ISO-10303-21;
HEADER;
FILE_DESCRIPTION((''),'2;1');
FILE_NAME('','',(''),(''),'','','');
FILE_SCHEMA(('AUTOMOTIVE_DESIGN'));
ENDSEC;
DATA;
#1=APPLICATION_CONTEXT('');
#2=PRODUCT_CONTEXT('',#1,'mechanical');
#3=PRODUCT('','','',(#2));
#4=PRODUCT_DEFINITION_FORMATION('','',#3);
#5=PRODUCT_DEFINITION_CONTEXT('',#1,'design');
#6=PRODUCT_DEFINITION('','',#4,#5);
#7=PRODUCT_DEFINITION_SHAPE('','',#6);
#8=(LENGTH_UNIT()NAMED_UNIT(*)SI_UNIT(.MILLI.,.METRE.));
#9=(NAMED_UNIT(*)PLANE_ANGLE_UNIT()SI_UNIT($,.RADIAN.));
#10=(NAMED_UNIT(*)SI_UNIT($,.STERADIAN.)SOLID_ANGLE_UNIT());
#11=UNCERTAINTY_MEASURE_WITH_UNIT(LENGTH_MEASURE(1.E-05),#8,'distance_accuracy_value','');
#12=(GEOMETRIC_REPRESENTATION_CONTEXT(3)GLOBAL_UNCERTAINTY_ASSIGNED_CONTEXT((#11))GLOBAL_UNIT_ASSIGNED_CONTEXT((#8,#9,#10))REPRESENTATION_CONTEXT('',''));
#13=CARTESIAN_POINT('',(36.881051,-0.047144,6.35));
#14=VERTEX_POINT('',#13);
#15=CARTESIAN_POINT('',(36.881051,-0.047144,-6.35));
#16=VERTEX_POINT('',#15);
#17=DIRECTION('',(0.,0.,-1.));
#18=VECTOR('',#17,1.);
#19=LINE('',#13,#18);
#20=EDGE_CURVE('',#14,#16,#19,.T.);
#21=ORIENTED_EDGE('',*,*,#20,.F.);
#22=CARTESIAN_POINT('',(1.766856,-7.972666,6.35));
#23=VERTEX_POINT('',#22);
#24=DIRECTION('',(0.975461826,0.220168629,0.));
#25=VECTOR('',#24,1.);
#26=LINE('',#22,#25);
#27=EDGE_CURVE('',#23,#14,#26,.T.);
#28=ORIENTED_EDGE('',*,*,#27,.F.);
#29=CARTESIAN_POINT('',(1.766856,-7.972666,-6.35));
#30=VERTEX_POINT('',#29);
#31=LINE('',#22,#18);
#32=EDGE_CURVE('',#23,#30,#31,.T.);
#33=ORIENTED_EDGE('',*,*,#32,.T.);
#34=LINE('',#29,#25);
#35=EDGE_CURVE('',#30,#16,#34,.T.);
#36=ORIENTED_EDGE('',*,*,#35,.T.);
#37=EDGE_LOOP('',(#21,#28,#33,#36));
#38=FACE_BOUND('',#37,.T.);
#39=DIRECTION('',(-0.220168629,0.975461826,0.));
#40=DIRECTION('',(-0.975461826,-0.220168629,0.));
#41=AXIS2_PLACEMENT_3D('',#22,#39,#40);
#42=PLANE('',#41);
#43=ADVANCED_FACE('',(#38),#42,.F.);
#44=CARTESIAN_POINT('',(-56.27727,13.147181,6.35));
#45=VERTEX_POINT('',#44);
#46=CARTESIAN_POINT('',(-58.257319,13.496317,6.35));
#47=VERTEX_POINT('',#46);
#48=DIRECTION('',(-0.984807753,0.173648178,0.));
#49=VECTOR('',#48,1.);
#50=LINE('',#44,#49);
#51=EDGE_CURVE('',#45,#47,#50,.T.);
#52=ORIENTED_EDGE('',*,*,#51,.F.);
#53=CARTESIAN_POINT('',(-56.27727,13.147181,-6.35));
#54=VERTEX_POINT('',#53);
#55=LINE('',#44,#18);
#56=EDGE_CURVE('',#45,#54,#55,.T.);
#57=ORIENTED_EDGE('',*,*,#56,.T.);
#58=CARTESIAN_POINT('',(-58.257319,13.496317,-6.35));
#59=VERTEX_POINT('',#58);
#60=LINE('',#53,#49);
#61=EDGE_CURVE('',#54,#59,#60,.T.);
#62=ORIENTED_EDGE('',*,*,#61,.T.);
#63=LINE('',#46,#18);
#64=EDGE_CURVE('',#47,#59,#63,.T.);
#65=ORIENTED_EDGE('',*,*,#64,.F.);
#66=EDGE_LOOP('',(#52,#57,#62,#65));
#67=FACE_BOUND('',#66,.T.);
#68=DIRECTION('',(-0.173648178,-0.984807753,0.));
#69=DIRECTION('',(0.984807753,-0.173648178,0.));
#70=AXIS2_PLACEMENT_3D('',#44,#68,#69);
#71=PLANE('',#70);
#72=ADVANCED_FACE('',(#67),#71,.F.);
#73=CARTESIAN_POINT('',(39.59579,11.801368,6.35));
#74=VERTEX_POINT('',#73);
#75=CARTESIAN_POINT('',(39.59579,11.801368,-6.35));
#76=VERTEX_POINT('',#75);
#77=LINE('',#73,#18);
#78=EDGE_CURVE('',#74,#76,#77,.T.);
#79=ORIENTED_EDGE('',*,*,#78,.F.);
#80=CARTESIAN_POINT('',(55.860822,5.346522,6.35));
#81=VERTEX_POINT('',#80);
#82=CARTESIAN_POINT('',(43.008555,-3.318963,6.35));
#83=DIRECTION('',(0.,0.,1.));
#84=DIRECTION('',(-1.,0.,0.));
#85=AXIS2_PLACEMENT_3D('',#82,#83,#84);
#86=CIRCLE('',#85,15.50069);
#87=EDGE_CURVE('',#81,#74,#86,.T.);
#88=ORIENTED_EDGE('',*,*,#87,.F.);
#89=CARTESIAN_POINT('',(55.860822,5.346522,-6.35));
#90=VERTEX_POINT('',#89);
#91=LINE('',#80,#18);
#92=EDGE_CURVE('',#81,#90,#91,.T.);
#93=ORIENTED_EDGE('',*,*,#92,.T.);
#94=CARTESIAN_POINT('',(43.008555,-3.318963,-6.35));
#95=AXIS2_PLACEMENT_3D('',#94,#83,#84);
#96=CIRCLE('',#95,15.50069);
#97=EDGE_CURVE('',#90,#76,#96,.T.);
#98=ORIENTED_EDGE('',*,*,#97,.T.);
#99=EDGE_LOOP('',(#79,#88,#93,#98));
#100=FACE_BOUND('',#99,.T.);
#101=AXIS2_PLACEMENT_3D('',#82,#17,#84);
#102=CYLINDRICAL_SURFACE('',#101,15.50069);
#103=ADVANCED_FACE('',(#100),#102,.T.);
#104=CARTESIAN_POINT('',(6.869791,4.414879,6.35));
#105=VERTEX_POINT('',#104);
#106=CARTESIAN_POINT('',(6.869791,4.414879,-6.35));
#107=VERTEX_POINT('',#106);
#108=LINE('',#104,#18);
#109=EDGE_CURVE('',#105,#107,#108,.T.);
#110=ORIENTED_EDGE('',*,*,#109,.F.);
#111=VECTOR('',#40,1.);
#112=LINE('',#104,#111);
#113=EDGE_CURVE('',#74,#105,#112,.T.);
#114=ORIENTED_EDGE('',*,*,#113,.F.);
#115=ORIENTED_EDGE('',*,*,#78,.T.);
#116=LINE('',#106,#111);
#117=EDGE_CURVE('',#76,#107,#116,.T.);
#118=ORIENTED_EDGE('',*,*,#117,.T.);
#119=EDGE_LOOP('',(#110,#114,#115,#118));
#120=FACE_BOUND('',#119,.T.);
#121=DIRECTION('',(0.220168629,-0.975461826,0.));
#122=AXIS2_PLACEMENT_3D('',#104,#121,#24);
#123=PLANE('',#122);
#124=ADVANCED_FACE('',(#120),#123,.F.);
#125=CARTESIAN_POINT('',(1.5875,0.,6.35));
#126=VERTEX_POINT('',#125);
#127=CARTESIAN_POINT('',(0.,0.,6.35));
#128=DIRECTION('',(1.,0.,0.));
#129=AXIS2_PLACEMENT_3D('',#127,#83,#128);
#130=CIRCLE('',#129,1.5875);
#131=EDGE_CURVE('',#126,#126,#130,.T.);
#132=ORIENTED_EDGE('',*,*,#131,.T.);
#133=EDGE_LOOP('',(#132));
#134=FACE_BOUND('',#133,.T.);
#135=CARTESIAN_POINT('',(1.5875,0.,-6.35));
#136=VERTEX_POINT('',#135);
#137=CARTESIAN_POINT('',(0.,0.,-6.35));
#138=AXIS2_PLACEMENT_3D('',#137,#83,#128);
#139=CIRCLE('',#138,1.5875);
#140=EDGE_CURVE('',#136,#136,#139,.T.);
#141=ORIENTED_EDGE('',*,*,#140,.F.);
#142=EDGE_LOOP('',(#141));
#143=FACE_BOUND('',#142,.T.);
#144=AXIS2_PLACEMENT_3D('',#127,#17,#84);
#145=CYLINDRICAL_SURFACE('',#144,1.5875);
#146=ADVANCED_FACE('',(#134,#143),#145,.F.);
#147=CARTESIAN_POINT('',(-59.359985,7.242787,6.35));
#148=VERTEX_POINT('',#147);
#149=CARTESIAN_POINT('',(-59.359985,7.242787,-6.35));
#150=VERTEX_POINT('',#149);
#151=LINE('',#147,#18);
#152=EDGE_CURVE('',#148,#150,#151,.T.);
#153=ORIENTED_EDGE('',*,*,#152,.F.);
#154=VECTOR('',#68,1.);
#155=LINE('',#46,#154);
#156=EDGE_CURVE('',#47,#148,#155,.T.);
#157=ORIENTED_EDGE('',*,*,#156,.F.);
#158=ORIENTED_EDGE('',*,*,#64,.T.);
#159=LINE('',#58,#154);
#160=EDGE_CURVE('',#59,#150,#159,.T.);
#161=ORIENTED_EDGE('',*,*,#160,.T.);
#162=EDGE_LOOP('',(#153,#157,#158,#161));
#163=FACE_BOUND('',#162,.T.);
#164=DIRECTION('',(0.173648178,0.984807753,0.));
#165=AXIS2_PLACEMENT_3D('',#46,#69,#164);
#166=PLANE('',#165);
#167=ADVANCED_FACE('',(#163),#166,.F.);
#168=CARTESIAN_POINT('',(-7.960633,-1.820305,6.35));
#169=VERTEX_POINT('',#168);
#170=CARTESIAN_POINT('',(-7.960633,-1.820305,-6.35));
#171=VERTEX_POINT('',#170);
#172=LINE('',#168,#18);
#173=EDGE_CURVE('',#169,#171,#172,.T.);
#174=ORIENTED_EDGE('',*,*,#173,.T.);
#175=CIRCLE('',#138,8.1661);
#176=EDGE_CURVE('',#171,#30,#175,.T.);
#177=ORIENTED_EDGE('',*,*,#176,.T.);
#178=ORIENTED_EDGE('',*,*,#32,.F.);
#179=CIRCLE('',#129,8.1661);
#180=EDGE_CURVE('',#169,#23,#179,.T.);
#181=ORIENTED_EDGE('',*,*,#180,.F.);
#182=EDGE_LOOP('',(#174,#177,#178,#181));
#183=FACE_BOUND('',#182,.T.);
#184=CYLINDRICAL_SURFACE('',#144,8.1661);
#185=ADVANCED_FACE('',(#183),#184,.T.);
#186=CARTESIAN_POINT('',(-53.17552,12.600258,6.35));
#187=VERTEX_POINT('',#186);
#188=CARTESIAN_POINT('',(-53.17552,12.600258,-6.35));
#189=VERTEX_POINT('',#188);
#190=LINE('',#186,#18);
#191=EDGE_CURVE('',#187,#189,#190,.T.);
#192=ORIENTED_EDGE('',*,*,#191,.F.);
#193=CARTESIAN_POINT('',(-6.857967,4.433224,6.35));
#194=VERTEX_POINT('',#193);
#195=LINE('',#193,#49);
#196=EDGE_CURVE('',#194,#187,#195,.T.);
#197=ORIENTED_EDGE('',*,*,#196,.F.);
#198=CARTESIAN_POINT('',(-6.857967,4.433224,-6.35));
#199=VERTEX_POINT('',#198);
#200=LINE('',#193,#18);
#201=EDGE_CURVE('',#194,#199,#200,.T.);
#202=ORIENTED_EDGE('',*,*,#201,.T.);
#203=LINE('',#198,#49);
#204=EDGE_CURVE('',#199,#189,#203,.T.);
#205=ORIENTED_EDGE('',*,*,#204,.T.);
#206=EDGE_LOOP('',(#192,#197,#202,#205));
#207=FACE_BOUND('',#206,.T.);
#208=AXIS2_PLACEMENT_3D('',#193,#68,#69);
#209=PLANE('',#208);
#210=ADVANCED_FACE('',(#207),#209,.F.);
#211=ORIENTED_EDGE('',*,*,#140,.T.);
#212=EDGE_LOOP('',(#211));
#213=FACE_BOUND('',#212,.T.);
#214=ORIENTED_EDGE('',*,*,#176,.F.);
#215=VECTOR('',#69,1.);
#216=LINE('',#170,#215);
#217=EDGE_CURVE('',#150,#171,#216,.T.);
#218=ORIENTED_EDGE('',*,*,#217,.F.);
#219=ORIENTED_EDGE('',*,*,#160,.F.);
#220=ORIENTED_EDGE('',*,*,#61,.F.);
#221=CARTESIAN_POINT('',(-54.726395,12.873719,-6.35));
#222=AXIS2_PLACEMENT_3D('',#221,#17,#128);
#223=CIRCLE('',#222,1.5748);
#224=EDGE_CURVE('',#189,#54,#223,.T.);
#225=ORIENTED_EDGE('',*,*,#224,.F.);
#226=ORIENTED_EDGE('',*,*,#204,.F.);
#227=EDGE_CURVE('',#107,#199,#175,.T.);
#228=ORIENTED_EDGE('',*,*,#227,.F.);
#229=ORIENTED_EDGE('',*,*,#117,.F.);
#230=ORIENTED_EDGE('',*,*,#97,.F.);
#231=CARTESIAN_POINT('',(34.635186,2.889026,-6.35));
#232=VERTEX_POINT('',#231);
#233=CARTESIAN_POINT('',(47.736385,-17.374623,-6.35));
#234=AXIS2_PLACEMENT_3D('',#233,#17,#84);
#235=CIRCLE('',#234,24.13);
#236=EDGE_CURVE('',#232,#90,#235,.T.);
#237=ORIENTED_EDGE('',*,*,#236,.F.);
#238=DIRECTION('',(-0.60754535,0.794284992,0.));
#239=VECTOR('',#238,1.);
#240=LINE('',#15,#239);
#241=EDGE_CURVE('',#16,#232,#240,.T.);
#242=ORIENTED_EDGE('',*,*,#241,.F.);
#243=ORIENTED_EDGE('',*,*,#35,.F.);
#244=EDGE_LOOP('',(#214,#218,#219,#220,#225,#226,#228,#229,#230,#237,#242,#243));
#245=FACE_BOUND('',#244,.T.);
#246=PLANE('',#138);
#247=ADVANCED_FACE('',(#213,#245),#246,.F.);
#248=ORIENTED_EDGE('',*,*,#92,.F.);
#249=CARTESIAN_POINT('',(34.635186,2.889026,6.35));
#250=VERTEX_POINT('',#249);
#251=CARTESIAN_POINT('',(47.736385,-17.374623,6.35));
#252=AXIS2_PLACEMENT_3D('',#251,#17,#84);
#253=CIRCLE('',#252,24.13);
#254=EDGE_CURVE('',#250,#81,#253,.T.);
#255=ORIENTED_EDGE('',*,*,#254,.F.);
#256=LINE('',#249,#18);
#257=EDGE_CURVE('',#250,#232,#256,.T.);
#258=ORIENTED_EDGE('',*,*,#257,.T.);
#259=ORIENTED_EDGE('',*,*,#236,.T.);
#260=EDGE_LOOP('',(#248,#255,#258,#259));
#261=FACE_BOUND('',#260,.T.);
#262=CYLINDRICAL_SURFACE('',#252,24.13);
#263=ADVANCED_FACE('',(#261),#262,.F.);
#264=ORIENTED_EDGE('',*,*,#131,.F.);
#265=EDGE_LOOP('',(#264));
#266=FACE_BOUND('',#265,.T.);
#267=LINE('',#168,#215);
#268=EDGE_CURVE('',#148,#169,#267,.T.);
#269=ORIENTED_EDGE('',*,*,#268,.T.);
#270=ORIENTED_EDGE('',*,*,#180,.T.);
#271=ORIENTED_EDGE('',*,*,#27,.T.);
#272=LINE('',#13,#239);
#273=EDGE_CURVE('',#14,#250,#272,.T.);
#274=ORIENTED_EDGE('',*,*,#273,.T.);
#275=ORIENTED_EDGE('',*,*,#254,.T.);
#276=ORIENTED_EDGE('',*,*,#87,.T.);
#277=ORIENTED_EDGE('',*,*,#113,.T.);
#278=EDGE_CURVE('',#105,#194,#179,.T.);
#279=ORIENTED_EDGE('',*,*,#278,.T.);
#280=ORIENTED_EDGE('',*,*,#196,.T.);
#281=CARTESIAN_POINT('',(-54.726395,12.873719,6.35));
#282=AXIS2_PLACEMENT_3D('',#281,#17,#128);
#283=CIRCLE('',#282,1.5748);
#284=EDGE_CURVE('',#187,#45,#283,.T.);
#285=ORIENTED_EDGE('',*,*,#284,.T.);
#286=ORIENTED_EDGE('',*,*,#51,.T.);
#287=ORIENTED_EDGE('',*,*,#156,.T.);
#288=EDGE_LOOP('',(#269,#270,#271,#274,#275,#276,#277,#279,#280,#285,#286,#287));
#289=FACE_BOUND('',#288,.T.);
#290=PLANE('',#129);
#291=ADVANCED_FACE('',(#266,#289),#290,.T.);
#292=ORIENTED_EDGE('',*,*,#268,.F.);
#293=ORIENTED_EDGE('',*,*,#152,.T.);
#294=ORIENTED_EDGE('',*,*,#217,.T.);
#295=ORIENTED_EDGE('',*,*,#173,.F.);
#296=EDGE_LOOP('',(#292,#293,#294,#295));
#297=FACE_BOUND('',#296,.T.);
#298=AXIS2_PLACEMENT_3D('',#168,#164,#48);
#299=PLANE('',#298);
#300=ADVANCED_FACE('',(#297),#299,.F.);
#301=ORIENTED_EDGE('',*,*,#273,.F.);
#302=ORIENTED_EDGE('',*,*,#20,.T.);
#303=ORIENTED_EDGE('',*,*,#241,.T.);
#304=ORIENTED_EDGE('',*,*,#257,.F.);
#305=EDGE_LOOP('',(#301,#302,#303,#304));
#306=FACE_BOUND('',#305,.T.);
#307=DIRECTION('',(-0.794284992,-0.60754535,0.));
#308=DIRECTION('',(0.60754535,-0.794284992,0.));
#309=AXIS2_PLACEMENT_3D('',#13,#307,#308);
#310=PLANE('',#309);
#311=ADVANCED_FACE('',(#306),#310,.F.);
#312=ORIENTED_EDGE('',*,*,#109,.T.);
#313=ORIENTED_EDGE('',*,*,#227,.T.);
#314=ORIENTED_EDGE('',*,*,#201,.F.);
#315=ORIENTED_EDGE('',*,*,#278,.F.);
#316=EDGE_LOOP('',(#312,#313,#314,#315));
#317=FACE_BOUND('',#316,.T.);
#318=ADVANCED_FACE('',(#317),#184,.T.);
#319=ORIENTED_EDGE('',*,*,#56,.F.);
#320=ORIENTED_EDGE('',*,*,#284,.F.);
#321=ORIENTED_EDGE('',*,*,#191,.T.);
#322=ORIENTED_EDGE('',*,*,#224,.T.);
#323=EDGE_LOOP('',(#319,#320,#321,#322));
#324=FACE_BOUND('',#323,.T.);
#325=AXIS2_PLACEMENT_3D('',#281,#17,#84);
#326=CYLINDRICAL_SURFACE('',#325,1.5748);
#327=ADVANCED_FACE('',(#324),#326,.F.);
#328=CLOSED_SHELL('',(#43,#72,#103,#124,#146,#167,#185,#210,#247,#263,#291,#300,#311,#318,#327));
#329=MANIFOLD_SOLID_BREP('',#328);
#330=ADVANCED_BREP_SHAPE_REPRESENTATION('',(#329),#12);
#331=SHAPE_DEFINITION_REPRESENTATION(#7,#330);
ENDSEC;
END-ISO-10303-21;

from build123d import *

# Parameters (mm, degrees)
SKETCH1_R           = 1.5875
BOSS_EXTRUDE1_DEPTH = 6.35


with BuildPart() as part:
    # Sketch1 → Boss-Extrude1 (new, symmetric)
    with BuildSketch(Plane.XY):
        with BuildLine():
            Line((-6.857967121, 4.433224129), (-53.175519737, 12.600258336))
            ThreePointArc((-53.175519737, 12.600258336), (-54.999856137, 11.322844236), (-56.277270236, 13.147180636))
            Line((-56.277270236, 13.147180636), (-58.257319182, 13.496316688))
            Line((-58.257319182, 13.496316688), (-59.35998511, 7.242787457))
            Line((-59.35998511, 7.242787457), (-7.960633049, -1.820305103))
            ThreePointArc((-7.960633049, -1.820305103), (-4.365043482, -6.901563925), (1.766856325, -7.9726663))
            Line((1.766856325, -7.9726663), (36.881050722, -0.047144418))
            Line((36.881050722, -0.047144418), (34.635185978, 2.889025961))
            ThreePointArc((34.635185978, 2.889025961), (44.961162175, 6.595254431), (55.860821822, 5.346521684))
            ThreePointArc((55.860821822, 5.346521684), (48.726273767, 11.088641723), (39.595789676, 11.801367988))
            Line((39.595789676, 11.801367988), (6.869791404, 4.414878852))
            ThreePointArc((6.869791404, 4.414878852), (0.010912869, 8.166092708), (-6.857967121, 4.433224129))
        make_face()
        Circle(SKETCH1_R, mode=Mode.SUBTRACT)
    extrude(amount=BOSS_EXTRUDE1_DEPTH, both=True)


solid = part.part
